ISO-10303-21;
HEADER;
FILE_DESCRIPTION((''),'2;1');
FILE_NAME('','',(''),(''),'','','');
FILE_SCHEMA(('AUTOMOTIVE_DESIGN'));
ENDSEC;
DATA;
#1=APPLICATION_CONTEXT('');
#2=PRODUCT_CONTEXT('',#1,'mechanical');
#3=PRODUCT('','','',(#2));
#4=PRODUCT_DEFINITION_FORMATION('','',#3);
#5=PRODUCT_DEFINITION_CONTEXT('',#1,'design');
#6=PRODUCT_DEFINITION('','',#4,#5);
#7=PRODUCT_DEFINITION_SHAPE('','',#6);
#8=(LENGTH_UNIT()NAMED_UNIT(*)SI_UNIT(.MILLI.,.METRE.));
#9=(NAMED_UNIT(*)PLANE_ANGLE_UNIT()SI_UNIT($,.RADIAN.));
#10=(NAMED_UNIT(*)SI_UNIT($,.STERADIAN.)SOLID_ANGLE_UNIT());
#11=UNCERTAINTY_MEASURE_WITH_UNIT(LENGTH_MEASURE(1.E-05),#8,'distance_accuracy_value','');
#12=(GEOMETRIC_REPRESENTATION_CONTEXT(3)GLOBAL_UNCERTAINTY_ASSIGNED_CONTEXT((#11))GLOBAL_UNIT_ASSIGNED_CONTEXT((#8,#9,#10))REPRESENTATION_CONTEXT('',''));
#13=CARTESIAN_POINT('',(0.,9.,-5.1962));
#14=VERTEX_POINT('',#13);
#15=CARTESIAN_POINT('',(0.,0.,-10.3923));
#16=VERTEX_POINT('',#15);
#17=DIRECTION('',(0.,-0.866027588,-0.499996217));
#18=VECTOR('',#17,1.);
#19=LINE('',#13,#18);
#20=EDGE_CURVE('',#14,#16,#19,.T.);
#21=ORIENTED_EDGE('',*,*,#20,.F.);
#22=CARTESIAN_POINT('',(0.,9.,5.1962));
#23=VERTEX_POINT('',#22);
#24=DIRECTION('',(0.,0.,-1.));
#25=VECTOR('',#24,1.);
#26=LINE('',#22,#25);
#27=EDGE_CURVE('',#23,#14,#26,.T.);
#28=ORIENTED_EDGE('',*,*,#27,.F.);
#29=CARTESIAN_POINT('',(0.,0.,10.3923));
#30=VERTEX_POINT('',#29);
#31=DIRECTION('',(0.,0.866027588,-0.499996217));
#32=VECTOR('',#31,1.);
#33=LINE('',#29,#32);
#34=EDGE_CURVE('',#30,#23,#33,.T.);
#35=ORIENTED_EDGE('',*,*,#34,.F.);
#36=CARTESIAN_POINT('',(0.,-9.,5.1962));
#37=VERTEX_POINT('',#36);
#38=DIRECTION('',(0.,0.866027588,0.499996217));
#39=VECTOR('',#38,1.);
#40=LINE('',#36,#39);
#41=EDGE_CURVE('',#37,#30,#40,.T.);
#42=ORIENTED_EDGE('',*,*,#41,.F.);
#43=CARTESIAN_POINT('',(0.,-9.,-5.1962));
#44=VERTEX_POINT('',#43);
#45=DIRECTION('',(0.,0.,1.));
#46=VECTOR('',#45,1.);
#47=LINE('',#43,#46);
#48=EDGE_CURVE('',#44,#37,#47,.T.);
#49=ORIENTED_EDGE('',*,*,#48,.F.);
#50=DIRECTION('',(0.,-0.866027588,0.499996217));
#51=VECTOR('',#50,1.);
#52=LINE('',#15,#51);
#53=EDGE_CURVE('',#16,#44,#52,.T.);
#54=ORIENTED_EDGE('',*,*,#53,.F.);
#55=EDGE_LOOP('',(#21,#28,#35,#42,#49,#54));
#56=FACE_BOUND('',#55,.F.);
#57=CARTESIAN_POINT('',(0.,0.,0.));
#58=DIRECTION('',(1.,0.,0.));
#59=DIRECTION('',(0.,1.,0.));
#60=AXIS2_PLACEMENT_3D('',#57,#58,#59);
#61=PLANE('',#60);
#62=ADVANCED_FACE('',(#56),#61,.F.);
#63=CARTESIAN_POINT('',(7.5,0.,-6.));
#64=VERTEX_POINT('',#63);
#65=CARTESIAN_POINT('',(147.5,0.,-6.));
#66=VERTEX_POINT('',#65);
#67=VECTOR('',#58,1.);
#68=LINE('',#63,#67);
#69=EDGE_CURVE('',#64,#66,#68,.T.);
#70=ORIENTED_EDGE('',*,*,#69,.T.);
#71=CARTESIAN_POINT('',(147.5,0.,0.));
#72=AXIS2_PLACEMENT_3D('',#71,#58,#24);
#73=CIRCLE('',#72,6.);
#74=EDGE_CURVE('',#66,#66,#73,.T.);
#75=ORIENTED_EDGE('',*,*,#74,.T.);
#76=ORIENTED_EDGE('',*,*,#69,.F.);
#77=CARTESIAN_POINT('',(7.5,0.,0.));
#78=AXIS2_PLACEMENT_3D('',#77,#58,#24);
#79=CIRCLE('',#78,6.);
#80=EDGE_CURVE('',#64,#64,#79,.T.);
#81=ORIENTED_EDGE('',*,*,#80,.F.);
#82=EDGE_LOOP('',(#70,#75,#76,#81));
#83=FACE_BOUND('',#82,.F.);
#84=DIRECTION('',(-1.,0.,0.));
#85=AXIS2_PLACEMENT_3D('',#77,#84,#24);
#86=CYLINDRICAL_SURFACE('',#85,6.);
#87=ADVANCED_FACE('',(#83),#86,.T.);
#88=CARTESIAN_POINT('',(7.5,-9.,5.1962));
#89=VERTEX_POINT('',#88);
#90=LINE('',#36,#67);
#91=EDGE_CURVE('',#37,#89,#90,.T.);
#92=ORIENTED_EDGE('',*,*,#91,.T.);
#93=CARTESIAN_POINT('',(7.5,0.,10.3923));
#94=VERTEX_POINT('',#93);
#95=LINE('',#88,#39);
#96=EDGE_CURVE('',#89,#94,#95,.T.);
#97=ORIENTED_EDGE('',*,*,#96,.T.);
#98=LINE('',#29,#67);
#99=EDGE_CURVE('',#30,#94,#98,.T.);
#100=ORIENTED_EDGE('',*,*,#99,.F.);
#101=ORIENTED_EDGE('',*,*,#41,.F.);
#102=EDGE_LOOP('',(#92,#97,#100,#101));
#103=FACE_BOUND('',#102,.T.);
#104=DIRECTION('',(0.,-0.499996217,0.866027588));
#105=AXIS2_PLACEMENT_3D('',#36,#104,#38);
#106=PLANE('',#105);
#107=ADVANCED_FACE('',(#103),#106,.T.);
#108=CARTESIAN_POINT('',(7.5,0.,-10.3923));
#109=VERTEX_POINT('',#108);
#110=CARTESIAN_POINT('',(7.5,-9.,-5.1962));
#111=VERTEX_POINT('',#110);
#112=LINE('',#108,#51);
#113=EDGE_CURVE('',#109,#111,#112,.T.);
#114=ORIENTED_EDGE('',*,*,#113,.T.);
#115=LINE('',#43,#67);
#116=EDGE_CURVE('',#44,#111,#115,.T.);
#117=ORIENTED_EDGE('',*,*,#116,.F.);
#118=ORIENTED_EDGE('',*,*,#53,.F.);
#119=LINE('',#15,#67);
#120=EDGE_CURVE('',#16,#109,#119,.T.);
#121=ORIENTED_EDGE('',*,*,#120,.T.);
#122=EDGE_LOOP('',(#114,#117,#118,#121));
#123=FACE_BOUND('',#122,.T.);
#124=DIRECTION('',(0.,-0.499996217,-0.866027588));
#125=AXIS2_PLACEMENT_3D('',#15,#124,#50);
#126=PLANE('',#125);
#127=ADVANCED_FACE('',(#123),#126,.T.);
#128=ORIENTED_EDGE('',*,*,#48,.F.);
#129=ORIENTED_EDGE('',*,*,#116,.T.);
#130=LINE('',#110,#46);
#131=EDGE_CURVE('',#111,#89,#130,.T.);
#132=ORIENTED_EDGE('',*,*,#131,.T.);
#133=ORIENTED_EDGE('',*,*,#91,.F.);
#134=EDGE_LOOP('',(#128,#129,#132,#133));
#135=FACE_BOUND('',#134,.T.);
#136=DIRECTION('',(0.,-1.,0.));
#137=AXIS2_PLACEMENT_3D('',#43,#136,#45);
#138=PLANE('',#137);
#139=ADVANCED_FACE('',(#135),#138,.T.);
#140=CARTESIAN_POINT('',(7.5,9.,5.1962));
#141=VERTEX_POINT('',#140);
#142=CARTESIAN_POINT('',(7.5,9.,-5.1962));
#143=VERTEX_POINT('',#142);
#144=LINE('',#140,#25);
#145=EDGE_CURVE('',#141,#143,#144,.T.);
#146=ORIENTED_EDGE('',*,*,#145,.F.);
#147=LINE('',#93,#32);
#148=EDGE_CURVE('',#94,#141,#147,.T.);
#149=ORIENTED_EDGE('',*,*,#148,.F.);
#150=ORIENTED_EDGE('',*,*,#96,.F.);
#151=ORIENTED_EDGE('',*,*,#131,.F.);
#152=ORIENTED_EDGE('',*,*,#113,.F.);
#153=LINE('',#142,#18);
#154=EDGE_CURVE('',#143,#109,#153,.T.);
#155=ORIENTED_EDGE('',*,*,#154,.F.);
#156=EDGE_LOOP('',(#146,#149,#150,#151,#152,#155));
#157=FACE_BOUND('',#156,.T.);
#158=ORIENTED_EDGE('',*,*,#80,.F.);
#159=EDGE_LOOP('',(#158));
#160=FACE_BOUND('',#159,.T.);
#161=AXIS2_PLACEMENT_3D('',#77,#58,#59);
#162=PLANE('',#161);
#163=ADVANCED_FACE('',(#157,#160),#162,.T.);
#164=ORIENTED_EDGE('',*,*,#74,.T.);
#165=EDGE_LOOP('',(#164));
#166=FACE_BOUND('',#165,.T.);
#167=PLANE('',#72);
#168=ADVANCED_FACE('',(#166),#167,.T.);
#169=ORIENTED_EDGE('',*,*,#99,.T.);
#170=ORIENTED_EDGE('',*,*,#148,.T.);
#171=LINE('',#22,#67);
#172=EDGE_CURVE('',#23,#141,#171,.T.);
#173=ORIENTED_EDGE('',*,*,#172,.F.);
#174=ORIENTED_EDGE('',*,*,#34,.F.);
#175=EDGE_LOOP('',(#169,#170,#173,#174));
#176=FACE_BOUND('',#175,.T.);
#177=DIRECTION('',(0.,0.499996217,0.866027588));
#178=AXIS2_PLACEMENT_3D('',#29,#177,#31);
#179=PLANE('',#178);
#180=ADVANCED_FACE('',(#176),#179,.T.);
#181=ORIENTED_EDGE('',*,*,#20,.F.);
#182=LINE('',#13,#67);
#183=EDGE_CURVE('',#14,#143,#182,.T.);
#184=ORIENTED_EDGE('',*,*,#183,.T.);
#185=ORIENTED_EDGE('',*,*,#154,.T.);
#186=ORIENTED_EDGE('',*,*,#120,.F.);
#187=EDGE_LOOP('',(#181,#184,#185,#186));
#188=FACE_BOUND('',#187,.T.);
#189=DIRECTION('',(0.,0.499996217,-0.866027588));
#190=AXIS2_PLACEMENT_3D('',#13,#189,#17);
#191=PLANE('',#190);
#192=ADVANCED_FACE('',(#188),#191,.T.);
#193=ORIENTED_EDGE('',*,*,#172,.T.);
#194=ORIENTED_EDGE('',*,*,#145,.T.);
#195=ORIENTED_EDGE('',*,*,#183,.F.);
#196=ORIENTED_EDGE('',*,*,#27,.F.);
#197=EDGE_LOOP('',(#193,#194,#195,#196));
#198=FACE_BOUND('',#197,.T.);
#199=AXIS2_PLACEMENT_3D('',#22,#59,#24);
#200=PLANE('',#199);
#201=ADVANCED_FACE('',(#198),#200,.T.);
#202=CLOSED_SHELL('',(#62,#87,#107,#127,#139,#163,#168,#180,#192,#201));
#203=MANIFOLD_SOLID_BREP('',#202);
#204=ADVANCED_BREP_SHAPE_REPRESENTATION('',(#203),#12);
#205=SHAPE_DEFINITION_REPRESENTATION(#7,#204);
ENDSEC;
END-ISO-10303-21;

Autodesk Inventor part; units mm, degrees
ref_plane "YZ Plane" through (0, 0, 0) normal (1, 0, 0) x (0, 1, 0)
ref_plane "XZ Plane" through (0, 0, 0) normal (0, 1, 0) x (-1, 0, 0)
ref_plane "XY Plane" through (0, 0, 0) normal (0, 0, 1) x (1, 0, 0)
sketch "Náčrt1" plane through (0, 0, 0) normal (1, 0, 0) x (0, 1, 0)
  line L0 (0, -10.3923) -> (-9, -5.1962)
  line L1 (-9, -5.1962) -> (-9, 5.1962)
  line L2 (-9, 5.1962) -> (0, 10.3923)
  line L3 (0, 10.3923) -> (9, 5.1962)
  line L4 (9, 5.1962) -> (9, -5.1962)
  line L5 (9, -5.1962) -> (0, -10.3923)
  point P0 (0, 0)
  point P1 (0, 0)
  dimension "d0" = 18
extrude "Vysunutí1" add sketch "Náčrt1" along normal blind 7.5
sketch "Náčrt2" plane through (7.5, 0, 0) normal (1, 0, 0) x (0, 0, -1)
  circle A0 centre (0, 0) radius 6
  dimension "d3" = 12
extrude "Vysunutí2" add sketch "Náčrt2" along normal blind 140
thread "Závit1" size "M12x1.75" class "6g" standard "ANSI Metric M Profile" full length
properties part number "Šrouv M12x160"
